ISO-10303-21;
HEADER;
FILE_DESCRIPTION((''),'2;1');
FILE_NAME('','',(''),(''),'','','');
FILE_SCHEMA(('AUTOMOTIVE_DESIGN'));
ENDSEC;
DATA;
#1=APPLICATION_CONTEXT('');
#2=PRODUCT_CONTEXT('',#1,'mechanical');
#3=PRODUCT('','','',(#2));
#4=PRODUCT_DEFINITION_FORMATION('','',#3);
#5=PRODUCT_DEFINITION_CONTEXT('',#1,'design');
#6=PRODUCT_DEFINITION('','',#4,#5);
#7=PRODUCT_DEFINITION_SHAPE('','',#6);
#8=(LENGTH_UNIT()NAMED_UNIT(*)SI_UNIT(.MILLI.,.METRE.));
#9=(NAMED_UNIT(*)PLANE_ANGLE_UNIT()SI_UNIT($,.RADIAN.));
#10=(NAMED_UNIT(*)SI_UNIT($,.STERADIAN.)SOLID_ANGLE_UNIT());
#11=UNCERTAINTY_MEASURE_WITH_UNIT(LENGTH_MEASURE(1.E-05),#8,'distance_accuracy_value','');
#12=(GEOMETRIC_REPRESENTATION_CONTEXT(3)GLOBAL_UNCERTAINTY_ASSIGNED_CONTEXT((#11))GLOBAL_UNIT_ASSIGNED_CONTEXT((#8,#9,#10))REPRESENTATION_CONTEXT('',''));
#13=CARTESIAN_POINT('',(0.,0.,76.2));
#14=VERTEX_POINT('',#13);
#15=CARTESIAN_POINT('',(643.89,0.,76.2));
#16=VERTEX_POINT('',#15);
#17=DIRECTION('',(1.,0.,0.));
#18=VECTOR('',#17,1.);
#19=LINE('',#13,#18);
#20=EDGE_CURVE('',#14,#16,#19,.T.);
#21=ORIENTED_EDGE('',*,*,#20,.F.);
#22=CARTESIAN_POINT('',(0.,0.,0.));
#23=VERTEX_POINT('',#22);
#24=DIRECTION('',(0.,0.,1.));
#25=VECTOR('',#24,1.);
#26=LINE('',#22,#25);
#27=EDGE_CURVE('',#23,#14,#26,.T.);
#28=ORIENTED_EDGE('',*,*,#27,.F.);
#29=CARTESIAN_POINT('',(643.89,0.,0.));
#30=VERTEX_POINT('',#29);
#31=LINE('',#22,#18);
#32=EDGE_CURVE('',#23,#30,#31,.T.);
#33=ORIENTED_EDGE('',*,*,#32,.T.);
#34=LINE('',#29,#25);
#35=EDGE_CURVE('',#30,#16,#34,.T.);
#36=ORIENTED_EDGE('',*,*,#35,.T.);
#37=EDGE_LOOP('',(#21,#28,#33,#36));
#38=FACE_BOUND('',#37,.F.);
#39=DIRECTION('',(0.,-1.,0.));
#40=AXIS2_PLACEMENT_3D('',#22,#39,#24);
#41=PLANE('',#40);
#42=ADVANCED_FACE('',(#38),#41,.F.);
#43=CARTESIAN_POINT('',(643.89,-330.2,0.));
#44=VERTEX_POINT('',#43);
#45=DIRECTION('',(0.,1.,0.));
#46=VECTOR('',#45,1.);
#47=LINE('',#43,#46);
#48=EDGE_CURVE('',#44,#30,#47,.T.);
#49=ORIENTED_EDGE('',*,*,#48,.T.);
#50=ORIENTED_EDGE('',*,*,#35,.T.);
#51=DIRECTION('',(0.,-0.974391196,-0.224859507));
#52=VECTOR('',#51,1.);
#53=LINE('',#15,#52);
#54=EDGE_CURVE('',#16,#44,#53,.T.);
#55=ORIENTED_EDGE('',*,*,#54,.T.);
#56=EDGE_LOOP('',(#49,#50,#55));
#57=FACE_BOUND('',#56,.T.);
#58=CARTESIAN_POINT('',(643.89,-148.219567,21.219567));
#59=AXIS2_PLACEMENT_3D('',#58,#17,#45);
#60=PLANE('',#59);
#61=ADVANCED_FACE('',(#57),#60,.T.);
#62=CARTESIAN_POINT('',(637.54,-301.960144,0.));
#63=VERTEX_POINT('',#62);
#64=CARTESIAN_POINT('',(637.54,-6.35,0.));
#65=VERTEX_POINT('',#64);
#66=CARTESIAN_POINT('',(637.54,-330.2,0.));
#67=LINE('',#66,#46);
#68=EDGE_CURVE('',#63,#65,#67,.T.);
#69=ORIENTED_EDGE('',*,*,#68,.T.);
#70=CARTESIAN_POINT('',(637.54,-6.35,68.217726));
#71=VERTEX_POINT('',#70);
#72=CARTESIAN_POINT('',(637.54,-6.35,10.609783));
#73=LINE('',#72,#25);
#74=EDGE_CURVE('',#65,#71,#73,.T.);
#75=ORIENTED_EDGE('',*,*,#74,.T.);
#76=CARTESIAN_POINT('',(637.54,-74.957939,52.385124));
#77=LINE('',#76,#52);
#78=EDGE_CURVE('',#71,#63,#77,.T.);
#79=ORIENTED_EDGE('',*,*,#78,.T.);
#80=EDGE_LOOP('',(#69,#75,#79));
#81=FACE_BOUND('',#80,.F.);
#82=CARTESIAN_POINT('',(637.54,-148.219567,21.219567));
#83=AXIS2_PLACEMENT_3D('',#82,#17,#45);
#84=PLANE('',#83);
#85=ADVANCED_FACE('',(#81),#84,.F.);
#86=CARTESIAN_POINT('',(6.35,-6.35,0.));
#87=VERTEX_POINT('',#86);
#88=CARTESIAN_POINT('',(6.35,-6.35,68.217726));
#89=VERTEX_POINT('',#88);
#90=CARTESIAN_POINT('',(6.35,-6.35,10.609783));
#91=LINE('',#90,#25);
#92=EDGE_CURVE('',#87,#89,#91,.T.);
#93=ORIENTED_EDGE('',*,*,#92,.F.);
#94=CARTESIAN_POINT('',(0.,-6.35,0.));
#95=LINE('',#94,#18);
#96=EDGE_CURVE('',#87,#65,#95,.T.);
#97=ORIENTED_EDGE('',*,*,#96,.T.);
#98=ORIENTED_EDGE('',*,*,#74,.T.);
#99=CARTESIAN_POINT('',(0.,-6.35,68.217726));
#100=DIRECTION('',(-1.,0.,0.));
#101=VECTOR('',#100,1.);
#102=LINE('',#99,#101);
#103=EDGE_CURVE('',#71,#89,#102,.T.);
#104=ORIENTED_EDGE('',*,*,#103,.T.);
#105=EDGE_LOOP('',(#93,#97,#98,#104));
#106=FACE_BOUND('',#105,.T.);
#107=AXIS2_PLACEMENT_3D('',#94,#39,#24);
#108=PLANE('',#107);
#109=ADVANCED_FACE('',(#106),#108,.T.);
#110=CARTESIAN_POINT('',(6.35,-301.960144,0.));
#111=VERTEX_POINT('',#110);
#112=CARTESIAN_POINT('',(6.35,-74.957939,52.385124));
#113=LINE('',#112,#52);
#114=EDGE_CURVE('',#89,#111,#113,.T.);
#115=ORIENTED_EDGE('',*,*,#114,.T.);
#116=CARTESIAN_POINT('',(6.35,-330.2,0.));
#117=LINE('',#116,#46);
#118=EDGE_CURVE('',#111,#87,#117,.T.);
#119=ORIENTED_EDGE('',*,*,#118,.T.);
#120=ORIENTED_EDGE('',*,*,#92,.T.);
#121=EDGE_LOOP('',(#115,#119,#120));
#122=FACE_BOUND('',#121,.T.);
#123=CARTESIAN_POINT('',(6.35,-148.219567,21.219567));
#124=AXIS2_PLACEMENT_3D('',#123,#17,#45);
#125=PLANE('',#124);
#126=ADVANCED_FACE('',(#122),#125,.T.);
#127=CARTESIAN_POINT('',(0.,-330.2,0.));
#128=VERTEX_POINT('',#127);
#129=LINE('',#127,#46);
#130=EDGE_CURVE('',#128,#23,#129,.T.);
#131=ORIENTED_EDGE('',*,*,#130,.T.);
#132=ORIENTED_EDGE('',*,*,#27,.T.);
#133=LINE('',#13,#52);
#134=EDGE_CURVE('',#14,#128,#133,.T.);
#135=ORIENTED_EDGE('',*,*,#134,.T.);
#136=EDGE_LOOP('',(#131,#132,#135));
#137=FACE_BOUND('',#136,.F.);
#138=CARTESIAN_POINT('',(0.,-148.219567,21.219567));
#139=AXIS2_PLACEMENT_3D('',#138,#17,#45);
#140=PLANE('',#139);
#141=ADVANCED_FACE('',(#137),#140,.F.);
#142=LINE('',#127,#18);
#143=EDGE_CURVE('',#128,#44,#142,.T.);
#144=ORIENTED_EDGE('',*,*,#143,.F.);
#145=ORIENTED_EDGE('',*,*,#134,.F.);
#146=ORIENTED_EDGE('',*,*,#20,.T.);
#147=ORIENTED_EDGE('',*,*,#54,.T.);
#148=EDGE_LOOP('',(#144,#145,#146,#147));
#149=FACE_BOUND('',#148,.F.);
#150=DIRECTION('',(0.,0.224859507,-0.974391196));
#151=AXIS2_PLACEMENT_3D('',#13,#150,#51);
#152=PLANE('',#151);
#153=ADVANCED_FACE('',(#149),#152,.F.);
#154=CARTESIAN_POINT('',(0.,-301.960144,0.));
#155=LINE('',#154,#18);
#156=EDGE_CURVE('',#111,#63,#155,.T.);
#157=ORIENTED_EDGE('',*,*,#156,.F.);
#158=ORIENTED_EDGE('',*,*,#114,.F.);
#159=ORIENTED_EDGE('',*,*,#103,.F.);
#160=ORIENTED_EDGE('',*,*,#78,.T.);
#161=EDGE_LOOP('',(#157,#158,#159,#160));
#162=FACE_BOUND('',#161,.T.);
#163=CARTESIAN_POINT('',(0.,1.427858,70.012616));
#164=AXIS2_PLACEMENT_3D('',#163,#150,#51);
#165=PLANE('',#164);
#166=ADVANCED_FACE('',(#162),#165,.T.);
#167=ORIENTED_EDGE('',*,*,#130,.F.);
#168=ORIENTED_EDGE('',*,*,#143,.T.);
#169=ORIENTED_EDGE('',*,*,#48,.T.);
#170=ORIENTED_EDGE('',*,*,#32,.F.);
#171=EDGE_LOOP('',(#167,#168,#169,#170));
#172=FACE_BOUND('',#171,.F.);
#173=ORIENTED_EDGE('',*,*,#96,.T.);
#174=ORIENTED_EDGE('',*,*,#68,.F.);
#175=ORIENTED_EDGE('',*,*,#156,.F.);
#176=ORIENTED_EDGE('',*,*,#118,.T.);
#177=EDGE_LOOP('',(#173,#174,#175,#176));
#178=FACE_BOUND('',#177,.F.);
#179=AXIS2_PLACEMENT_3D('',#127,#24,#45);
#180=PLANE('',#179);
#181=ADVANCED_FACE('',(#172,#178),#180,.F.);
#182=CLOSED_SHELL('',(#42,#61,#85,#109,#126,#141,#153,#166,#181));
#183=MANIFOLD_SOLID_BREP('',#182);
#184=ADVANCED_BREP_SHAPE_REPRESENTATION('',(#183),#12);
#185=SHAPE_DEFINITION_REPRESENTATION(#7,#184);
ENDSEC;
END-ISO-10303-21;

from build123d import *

# Parameters (mm, degrees)
F1_DEPTH = 643.89
F2_T     = -6.35


with BuildPart() as f1:
    # F0 (on Right) → F1 (new body)
    with BuildSketch(Plane.YZ):
        Polygon((-330.2, 0), (0, 0), (0, 76.2), align=None)
    extrude(amount=F1_DEPTH)

    # F2
    f2_openings = [f1.faces().sort_by_distance(p)[0] for p in [
        (321.945, -165.1, 0),
    ]]
    offset(amount=F2_T, openings=f2_openings)


solid = f1.part
